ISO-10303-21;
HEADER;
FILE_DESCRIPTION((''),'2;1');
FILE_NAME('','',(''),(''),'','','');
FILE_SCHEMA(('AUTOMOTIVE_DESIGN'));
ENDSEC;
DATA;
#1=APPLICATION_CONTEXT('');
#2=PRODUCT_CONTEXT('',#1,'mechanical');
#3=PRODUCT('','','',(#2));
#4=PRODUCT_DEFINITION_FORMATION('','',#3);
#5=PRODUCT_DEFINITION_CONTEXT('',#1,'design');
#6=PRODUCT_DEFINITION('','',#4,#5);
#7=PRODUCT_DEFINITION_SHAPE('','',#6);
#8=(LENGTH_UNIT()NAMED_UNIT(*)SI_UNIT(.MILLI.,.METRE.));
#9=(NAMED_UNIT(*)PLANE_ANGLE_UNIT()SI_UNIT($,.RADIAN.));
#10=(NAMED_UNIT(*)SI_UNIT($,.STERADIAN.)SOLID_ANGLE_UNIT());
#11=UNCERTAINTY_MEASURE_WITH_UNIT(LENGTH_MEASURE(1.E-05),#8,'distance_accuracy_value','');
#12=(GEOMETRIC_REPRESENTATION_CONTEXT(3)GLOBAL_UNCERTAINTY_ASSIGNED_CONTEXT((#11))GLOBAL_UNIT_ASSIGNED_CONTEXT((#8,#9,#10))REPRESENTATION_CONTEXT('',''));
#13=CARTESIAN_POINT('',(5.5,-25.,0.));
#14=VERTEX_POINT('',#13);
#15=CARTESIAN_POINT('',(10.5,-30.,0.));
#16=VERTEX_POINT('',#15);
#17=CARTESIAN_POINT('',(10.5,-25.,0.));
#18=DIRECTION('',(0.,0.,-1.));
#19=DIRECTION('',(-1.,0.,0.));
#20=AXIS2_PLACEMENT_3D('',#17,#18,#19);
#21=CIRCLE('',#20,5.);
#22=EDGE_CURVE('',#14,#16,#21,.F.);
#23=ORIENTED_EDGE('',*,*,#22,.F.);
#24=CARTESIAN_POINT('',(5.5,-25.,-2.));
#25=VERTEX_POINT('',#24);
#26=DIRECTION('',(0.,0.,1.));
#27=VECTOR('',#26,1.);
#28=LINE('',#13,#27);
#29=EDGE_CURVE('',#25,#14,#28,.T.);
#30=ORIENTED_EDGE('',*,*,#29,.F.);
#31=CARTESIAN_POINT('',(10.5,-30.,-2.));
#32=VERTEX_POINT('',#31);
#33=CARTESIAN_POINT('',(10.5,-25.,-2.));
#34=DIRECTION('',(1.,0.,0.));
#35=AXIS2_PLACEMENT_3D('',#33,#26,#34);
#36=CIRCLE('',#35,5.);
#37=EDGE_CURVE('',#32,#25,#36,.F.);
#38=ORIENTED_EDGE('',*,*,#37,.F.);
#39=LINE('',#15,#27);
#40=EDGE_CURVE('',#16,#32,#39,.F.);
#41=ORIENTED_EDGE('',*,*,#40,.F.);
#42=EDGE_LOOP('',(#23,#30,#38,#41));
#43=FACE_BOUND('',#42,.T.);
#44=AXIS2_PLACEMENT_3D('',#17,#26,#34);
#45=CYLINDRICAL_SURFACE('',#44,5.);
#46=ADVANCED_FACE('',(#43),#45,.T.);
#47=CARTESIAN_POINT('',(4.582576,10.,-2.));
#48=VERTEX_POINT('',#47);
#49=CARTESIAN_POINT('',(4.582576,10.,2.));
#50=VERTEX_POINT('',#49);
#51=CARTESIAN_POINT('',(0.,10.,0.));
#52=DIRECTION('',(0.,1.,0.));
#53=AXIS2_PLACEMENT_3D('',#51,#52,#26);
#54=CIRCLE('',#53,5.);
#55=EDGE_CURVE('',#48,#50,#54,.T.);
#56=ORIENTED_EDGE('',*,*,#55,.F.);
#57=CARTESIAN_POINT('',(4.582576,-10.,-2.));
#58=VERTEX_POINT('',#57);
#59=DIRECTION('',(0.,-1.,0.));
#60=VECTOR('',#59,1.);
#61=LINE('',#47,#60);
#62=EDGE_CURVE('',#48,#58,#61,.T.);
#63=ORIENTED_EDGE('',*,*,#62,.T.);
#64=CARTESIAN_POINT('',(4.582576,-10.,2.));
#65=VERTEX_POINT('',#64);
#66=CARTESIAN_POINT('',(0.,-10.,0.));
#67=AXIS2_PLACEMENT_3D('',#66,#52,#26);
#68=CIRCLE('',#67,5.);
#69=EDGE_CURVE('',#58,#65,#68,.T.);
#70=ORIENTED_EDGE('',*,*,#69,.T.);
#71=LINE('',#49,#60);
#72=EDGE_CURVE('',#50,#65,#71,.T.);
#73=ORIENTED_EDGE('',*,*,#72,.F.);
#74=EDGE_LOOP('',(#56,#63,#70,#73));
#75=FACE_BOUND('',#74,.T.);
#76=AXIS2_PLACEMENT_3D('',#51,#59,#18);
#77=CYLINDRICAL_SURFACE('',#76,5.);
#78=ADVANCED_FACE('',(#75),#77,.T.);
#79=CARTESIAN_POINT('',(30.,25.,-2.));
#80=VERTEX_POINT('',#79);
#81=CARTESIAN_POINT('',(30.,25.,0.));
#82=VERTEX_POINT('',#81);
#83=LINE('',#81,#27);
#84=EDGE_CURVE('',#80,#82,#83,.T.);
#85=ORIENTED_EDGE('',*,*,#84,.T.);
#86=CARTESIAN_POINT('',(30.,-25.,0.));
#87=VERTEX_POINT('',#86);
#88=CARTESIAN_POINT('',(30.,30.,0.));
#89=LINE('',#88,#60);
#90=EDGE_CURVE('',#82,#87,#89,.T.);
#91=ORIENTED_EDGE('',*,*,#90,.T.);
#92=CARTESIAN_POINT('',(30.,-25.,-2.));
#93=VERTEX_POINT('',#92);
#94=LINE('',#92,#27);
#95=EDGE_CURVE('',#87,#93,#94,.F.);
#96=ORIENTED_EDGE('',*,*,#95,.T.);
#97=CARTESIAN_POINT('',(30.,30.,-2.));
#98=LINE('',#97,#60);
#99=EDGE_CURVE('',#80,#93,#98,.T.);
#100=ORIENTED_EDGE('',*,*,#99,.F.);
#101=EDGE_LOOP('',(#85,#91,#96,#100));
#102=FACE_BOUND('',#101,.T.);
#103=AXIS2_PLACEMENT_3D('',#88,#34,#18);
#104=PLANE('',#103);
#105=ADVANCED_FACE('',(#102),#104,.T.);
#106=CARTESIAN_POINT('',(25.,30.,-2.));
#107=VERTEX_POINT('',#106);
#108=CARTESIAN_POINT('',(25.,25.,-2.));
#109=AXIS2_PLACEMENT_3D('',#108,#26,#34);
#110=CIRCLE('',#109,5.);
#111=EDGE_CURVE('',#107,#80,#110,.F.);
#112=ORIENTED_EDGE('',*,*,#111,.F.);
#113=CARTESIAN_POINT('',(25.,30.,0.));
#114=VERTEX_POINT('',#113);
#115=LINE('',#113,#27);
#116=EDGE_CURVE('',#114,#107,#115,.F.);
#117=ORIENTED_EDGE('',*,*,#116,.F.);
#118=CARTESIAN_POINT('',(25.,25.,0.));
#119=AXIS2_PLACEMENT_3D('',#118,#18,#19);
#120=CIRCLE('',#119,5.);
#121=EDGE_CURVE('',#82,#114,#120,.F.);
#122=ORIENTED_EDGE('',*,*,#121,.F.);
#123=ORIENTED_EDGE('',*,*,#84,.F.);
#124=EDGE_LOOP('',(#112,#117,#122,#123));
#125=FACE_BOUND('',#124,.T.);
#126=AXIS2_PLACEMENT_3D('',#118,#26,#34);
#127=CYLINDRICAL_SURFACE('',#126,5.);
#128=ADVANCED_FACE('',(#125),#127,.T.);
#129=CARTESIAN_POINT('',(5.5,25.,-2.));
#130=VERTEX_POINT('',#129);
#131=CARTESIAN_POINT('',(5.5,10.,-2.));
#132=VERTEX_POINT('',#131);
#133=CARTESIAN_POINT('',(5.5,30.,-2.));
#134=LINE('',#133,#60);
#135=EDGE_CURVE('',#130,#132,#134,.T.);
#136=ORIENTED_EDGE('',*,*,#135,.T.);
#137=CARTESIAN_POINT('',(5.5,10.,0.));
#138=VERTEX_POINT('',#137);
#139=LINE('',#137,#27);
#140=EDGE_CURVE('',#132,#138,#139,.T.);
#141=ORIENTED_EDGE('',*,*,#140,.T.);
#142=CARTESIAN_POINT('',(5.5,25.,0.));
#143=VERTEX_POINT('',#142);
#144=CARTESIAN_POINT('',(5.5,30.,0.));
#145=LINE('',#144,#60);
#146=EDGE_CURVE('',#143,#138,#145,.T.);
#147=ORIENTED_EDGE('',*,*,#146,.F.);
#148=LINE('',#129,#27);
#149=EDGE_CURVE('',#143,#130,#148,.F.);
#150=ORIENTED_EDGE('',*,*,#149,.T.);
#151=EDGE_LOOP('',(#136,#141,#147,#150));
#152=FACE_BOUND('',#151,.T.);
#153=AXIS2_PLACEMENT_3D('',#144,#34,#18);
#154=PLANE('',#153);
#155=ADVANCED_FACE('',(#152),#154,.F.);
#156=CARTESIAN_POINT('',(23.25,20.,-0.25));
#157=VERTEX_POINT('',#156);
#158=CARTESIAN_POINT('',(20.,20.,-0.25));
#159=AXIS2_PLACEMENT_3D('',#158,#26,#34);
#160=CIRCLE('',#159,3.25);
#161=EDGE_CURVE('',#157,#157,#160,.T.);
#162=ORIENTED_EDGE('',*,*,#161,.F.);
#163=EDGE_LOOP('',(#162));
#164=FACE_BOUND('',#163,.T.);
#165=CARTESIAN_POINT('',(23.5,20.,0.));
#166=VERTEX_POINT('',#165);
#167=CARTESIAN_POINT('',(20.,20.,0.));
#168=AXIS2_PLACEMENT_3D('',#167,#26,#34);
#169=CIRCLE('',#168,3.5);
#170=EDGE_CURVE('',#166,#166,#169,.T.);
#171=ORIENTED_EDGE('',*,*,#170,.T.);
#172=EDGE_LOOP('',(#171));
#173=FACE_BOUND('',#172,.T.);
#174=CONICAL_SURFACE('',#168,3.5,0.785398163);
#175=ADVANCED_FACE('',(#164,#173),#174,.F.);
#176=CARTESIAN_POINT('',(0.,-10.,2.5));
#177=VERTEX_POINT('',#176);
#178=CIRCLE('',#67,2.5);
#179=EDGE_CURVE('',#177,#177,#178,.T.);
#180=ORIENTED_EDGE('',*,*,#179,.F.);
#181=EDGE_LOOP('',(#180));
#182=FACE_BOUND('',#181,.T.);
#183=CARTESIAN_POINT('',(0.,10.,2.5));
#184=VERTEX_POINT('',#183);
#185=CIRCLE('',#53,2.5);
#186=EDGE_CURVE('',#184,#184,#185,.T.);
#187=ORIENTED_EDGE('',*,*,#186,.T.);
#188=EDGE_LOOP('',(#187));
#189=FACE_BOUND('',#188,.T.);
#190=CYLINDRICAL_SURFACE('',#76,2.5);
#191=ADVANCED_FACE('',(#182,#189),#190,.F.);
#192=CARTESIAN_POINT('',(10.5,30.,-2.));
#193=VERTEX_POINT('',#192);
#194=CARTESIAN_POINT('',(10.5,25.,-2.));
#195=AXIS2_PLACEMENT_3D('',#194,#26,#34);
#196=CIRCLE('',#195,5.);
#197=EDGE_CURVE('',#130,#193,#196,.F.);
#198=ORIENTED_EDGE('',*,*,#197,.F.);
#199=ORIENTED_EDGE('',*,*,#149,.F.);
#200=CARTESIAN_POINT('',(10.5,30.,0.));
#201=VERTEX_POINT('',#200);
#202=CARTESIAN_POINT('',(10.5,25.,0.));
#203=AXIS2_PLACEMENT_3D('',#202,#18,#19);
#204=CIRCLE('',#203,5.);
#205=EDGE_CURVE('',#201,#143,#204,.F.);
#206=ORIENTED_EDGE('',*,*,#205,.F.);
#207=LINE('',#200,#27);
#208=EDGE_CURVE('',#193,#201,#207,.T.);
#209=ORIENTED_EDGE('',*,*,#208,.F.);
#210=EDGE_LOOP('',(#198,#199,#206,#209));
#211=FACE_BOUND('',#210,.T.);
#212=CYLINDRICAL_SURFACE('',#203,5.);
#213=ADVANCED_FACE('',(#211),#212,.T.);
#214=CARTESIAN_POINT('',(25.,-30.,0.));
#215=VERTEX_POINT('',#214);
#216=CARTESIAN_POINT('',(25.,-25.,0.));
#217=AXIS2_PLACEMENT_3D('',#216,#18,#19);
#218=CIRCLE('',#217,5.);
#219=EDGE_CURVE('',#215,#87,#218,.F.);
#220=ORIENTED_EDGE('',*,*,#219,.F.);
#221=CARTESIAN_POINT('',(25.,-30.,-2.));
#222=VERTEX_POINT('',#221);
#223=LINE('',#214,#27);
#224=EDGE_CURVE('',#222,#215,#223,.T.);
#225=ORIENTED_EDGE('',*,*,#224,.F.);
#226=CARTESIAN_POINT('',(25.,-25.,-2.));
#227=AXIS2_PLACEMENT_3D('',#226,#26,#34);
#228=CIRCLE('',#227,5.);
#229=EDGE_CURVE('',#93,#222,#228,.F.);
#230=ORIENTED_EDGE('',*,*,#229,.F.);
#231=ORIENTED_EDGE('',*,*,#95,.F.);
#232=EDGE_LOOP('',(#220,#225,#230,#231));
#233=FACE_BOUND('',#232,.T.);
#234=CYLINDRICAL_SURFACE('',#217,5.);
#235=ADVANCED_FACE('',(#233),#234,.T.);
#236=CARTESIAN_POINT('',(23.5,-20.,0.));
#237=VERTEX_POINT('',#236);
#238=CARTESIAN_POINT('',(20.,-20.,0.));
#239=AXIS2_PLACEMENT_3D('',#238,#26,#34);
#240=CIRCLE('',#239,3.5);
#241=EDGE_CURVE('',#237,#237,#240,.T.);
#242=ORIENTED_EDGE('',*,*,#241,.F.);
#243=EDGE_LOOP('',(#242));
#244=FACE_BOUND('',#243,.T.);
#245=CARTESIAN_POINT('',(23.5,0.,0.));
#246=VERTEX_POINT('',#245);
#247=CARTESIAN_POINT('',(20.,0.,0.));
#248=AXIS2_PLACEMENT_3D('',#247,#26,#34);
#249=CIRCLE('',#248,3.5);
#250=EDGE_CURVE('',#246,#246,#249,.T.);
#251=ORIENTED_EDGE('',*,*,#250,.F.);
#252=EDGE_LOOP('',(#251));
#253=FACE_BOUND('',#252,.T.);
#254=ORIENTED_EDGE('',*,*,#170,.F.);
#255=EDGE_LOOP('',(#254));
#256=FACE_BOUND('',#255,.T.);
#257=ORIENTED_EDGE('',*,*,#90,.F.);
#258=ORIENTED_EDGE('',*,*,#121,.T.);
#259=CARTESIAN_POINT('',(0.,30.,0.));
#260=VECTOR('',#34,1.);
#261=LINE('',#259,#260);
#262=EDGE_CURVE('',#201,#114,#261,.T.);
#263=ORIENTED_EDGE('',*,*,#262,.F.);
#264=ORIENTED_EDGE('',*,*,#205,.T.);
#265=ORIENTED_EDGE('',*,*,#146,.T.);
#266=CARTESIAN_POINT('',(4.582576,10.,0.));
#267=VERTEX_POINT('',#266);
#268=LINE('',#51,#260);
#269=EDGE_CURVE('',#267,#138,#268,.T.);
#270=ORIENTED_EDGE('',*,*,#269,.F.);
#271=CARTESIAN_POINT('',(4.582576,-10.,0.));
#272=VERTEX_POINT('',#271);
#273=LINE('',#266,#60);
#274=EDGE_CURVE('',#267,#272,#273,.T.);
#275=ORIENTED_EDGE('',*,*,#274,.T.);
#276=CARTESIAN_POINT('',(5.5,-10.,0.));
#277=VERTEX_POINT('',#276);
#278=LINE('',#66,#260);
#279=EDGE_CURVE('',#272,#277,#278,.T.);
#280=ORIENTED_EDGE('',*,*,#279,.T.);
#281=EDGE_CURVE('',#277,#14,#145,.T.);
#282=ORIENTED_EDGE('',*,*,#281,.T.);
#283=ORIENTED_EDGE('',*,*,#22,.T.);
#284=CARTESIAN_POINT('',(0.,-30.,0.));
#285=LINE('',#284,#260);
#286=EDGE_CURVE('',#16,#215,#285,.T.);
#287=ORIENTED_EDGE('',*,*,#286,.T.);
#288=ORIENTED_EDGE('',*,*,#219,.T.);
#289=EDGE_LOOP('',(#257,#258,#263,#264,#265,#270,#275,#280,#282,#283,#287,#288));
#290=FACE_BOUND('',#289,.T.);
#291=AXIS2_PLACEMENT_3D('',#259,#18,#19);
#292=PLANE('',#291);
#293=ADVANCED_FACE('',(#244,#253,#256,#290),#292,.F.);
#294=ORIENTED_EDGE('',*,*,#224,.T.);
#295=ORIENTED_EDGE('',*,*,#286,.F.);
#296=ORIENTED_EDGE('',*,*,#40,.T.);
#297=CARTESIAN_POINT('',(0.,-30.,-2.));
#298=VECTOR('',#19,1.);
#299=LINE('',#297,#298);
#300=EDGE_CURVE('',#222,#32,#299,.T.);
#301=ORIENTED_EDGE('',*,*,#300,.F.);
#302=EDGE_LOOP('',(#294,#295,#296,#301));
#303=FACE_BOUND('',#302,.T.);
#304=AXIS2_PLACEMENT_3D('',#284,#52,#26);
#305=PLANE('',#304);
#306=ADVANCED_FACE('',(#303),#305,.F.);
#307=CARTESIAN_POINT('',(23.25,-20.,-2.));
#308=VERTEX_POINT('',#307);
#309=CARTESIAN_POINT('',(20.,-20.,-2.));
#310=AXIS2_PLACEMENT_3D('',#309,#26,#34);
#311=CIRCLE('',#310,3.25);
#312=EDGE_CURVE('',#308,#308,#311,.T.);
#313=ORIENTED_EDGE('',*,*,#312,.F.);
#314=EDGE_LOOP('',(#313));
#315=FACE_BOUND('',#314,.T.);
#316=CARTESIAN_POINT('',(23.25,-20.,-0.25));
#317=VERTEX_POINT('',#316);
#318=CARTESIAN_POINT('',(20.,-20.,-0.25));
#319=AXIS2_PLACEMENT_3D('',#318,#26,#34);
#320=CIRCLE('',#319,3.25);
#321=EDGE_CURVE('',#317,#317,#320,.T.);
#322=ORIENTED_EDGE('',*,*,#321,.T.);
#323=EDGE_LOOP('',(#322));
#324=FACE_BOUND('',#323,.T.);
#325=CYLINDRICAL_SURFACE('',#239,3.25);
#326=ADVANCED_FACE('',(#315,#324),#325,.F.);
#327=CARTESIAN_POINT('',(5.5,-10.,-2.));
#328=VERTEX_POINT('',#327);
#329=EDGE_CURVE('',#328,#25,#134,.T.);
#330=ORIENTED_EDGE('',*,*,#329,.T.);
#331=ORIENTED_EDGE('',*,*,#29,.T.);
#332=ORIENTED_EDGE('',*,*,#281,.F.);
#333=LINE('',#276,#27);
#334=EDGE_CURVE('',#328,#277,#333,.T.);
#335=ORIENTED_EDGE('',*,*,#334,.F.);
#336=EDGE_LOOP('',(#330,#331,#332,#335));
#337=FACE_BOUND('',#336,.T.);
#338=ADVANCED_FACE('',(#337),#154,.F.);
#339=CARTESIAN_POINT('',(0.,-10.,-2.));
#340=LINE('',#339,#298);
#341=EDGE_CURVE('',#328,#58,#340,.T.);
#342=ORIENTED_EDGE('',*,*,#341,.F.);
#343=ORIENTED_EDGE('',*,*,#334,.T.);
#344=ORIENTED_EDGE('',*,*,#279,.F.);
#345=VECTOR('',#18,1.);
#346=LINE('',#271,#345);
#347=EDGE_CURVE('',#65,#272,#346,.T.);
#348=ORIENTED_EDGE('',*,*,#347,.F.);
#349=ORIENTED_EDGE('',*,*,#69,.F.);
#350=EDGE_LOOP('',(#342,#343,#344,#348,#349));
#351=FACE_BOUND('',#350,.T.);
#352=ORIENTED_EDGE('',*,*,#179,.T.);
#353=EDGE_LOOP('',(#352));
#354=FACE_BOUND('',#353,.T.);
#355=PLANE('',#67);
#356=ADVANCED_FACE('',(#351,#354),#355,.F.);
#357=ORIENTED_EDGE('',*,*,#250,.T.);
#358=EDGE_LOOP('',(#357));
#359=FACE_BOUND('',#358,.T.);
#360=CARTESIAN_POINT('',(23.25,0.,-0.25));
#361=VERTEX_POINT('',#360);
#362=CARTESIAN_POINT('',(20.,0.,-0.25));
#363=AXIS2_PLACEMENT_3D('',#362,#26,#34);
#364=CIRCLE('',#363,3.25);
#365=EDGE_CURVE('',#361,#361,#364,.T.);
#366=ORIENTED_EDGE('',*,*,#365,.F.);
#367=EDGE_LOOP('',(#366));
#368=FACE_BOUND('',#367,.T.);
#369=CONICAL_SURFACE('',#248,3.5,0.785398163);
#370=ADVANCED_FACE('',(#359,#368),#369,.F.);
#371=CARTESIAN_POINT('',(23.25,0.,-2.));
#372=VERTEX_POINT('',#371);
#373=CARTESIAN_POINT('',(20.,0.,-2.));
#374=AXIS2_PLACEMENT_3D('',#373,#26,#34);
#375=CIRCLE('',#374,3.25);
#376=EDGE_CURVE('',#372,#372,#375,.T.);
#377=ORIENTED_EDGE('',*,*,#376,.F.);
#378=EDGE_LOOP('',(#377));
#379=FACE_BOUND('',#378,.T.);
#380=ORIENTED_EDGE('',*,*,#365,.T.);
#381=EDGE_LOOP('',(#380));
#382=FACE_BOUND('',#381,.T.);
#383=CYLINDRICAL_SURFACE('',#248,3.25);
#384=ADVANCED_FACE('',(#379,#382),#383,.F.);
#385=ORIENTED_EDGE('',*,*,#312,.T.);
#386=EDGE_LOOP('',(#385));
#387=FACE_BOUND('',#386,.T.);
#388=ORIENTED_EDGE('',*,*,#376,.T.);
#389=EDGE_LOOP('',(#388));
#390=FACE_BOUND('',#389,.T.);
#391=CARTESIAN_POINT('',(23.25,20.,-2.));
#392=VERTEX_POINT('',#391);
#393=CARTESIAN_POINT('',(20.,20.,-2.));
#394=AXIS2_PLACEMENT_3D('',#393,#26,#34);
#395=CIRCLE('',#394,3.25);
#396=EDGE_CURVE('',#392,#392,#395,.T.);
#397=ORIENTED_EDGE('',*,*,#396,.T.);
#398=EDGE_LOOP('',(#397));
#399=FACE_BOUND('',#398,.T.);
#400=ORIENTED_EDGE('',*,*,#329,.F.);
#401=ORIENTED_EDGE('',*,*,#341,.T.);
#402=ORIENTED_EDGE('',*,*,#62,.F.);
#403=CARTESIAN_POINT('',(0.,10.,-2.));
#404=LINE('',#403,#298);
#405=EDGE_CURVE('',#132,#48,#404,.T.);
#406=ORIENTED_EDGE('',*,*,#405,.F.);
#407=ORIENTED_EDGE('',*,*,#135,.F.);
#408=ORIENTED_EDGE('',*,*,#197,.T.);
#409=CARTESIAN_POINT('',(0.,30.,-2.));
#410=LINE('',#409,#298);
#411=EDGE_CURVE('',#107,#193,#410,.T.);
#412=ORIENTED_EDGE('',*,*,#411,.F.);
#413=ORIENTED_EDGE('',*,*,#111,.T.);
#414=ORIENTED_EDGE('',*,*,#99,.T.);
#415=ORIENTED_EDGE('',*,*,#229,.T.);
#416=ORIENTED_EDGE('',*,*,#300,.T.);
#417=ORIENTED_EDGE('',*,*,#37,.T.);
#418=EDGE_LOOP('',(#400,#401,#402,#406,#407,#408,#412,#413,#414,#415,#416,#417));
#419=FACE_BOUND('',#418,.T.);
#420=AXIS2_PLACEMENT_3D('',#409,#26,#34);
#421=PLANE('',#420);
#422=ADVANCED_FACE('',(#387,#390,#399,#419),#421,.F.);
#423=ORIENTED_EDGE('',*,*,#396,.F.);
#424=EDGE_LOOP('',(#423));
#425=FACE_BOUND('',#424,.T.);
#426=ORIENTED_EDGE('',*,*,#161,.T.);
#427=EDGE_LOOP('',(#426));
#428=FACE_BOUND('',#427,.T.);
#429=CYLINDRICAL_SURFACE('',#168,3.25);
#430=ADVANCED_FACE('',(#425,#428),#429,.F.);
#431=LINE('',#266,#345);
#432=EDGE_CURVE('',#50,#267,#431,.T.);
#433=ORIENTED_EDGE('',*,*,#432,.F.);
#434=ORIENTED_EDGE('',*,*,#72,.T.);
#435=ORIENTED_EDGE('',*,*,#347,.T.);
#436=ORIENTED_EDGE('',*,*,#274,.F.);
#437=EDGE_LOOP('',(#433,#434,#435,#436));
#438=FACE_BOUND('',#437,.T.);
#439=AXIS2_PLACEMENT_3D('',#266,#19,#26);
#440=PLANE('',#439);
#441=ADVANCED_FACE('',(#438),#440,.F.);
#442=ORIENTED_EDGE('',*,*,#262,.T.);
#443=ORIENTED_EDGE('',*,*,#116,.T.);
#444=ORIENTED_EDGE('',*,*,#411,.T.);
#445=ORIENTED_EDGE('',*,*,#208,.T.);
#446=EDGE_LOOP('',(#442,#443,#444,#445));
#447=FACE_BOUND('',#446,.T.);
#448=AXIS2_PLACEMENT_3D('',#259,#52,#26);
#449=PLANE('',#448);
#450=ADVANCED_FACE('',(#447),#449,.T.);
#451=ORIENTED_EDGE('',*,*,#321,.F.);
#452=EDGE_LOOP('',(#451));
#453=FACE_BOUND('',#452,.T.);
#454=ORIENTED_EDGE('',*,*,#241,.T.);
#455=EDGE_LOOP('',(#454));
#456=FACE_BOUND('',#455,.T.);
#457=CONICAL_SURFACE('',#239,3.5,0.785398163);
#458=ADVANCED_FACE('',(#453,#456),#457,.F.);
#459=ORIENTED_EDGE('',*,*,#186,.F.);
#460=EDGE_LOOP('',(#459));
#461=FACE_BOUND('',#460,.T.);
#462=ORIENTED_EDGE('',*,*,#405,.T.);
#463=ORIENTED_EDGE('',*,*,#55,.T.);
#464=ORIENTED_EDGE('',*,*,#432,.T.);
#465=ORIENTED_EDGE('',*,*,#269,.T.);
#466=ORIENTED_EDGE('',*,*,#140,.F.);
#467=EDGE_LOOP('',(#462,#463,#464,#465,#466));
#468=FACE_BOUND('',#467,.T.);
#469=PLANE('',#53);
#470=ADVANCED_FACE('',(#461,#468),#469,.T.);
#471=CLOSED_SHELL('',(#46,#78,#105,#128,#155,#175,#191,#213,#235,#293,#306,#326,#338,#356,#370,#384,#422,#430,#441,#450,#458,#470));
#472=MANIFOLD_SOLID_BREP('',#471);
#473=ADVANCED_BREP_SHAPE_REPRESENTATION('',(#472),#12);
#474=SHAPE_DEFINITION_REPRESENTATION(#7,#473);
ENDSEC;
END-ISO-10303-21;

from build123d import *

# Parameters (mm, degrees)
SKETCH1_W                            = 24.5
SKETCH1_H                            = 2
BOSS_EXTRUDE1_DEPTH                  = 30
SKETCH1_4_R                          = 2.5
BOSS_EXTRUDE2_DEPTH                  = 10
F_6_5_6_5_DIAMETER_HOLE1_D           = 6.5
F_6_5_6_5_DIAMETER_HOLE1_CSINK_D     = 7
F_6_5_6_5_DIAMETER_HOLE1_CSINK_ANGLE = 90
FILLET1_R                            = 5


with BuildPart() as part:
    # Sketch1 → Boss-Extrude1 (new, symmetric)
    with BuildSketch(Plane(origin=(0, 0, 0), x_dir=(1, 0, 0), z_dir=(0, 1, 0))):
        with Locations((17.75, 1)):
            Rectangle(SKETCH1_W, SKETCH1_H)
    extrude(amount=BOSS_EXTRUDE1_DEPTH, both=True)

    # Sketch1<4> → Boss-Extrude2 (add, symmetric)
    with BuildSketch(Plane(origin=(0, 0, 0), x_dir=(1, 0, 0), z_dir=(0, 1, 0))):
        with BuildLine():
            Line((5.5, 0), (5.5, 2))
            Line((5.5, 2), (4.582575695, 2))
            ThreePointArc((4.582575695, 2), (-5, 0), (4.582575695, -2))
            Line((4.582575695, -2), (4.582575695, 0))
            Line((4.582575695, 0), (5.5, 0))
        make_face()
        Circle(SKETCH1_4_R, mode=Mode.SUBTRACT)
    extrude(amount=BOSS_EXTRUDE2_DEPTH, both=True)

    # Ø6.5 (6.5) Diameter Hole1 (through all)
    with Locations(Plane(origin=(0, 0, 0), x_dir=(-1, 0, 0), z_dir=(0, 0, 1))):
        with Locations((-20, 20), (-20, 0), (-20, -20)):
            CounterSinkHole(F_6_5_6_5_DIAMETER_HOLE1_D / 2, F_6_5_6_5_DIAMETER_HOLE1_CSINK_D / 2, counter_sink_angle=F_6_5_6_5_DIAMETER_HOLE1_CSINK_ANGLE)

    # Fillet1
    fillet1_edges = [part.edges().sort_by_distance(p)[0] for p in [
        (30, 30, -1),
        (30, -30, -1),
        (5.5, -30, -1),
        (5.5, 30, -1),
    ]]
    fillet(fillet1_edges, radius=FILLET1_R)


solid = part.part
